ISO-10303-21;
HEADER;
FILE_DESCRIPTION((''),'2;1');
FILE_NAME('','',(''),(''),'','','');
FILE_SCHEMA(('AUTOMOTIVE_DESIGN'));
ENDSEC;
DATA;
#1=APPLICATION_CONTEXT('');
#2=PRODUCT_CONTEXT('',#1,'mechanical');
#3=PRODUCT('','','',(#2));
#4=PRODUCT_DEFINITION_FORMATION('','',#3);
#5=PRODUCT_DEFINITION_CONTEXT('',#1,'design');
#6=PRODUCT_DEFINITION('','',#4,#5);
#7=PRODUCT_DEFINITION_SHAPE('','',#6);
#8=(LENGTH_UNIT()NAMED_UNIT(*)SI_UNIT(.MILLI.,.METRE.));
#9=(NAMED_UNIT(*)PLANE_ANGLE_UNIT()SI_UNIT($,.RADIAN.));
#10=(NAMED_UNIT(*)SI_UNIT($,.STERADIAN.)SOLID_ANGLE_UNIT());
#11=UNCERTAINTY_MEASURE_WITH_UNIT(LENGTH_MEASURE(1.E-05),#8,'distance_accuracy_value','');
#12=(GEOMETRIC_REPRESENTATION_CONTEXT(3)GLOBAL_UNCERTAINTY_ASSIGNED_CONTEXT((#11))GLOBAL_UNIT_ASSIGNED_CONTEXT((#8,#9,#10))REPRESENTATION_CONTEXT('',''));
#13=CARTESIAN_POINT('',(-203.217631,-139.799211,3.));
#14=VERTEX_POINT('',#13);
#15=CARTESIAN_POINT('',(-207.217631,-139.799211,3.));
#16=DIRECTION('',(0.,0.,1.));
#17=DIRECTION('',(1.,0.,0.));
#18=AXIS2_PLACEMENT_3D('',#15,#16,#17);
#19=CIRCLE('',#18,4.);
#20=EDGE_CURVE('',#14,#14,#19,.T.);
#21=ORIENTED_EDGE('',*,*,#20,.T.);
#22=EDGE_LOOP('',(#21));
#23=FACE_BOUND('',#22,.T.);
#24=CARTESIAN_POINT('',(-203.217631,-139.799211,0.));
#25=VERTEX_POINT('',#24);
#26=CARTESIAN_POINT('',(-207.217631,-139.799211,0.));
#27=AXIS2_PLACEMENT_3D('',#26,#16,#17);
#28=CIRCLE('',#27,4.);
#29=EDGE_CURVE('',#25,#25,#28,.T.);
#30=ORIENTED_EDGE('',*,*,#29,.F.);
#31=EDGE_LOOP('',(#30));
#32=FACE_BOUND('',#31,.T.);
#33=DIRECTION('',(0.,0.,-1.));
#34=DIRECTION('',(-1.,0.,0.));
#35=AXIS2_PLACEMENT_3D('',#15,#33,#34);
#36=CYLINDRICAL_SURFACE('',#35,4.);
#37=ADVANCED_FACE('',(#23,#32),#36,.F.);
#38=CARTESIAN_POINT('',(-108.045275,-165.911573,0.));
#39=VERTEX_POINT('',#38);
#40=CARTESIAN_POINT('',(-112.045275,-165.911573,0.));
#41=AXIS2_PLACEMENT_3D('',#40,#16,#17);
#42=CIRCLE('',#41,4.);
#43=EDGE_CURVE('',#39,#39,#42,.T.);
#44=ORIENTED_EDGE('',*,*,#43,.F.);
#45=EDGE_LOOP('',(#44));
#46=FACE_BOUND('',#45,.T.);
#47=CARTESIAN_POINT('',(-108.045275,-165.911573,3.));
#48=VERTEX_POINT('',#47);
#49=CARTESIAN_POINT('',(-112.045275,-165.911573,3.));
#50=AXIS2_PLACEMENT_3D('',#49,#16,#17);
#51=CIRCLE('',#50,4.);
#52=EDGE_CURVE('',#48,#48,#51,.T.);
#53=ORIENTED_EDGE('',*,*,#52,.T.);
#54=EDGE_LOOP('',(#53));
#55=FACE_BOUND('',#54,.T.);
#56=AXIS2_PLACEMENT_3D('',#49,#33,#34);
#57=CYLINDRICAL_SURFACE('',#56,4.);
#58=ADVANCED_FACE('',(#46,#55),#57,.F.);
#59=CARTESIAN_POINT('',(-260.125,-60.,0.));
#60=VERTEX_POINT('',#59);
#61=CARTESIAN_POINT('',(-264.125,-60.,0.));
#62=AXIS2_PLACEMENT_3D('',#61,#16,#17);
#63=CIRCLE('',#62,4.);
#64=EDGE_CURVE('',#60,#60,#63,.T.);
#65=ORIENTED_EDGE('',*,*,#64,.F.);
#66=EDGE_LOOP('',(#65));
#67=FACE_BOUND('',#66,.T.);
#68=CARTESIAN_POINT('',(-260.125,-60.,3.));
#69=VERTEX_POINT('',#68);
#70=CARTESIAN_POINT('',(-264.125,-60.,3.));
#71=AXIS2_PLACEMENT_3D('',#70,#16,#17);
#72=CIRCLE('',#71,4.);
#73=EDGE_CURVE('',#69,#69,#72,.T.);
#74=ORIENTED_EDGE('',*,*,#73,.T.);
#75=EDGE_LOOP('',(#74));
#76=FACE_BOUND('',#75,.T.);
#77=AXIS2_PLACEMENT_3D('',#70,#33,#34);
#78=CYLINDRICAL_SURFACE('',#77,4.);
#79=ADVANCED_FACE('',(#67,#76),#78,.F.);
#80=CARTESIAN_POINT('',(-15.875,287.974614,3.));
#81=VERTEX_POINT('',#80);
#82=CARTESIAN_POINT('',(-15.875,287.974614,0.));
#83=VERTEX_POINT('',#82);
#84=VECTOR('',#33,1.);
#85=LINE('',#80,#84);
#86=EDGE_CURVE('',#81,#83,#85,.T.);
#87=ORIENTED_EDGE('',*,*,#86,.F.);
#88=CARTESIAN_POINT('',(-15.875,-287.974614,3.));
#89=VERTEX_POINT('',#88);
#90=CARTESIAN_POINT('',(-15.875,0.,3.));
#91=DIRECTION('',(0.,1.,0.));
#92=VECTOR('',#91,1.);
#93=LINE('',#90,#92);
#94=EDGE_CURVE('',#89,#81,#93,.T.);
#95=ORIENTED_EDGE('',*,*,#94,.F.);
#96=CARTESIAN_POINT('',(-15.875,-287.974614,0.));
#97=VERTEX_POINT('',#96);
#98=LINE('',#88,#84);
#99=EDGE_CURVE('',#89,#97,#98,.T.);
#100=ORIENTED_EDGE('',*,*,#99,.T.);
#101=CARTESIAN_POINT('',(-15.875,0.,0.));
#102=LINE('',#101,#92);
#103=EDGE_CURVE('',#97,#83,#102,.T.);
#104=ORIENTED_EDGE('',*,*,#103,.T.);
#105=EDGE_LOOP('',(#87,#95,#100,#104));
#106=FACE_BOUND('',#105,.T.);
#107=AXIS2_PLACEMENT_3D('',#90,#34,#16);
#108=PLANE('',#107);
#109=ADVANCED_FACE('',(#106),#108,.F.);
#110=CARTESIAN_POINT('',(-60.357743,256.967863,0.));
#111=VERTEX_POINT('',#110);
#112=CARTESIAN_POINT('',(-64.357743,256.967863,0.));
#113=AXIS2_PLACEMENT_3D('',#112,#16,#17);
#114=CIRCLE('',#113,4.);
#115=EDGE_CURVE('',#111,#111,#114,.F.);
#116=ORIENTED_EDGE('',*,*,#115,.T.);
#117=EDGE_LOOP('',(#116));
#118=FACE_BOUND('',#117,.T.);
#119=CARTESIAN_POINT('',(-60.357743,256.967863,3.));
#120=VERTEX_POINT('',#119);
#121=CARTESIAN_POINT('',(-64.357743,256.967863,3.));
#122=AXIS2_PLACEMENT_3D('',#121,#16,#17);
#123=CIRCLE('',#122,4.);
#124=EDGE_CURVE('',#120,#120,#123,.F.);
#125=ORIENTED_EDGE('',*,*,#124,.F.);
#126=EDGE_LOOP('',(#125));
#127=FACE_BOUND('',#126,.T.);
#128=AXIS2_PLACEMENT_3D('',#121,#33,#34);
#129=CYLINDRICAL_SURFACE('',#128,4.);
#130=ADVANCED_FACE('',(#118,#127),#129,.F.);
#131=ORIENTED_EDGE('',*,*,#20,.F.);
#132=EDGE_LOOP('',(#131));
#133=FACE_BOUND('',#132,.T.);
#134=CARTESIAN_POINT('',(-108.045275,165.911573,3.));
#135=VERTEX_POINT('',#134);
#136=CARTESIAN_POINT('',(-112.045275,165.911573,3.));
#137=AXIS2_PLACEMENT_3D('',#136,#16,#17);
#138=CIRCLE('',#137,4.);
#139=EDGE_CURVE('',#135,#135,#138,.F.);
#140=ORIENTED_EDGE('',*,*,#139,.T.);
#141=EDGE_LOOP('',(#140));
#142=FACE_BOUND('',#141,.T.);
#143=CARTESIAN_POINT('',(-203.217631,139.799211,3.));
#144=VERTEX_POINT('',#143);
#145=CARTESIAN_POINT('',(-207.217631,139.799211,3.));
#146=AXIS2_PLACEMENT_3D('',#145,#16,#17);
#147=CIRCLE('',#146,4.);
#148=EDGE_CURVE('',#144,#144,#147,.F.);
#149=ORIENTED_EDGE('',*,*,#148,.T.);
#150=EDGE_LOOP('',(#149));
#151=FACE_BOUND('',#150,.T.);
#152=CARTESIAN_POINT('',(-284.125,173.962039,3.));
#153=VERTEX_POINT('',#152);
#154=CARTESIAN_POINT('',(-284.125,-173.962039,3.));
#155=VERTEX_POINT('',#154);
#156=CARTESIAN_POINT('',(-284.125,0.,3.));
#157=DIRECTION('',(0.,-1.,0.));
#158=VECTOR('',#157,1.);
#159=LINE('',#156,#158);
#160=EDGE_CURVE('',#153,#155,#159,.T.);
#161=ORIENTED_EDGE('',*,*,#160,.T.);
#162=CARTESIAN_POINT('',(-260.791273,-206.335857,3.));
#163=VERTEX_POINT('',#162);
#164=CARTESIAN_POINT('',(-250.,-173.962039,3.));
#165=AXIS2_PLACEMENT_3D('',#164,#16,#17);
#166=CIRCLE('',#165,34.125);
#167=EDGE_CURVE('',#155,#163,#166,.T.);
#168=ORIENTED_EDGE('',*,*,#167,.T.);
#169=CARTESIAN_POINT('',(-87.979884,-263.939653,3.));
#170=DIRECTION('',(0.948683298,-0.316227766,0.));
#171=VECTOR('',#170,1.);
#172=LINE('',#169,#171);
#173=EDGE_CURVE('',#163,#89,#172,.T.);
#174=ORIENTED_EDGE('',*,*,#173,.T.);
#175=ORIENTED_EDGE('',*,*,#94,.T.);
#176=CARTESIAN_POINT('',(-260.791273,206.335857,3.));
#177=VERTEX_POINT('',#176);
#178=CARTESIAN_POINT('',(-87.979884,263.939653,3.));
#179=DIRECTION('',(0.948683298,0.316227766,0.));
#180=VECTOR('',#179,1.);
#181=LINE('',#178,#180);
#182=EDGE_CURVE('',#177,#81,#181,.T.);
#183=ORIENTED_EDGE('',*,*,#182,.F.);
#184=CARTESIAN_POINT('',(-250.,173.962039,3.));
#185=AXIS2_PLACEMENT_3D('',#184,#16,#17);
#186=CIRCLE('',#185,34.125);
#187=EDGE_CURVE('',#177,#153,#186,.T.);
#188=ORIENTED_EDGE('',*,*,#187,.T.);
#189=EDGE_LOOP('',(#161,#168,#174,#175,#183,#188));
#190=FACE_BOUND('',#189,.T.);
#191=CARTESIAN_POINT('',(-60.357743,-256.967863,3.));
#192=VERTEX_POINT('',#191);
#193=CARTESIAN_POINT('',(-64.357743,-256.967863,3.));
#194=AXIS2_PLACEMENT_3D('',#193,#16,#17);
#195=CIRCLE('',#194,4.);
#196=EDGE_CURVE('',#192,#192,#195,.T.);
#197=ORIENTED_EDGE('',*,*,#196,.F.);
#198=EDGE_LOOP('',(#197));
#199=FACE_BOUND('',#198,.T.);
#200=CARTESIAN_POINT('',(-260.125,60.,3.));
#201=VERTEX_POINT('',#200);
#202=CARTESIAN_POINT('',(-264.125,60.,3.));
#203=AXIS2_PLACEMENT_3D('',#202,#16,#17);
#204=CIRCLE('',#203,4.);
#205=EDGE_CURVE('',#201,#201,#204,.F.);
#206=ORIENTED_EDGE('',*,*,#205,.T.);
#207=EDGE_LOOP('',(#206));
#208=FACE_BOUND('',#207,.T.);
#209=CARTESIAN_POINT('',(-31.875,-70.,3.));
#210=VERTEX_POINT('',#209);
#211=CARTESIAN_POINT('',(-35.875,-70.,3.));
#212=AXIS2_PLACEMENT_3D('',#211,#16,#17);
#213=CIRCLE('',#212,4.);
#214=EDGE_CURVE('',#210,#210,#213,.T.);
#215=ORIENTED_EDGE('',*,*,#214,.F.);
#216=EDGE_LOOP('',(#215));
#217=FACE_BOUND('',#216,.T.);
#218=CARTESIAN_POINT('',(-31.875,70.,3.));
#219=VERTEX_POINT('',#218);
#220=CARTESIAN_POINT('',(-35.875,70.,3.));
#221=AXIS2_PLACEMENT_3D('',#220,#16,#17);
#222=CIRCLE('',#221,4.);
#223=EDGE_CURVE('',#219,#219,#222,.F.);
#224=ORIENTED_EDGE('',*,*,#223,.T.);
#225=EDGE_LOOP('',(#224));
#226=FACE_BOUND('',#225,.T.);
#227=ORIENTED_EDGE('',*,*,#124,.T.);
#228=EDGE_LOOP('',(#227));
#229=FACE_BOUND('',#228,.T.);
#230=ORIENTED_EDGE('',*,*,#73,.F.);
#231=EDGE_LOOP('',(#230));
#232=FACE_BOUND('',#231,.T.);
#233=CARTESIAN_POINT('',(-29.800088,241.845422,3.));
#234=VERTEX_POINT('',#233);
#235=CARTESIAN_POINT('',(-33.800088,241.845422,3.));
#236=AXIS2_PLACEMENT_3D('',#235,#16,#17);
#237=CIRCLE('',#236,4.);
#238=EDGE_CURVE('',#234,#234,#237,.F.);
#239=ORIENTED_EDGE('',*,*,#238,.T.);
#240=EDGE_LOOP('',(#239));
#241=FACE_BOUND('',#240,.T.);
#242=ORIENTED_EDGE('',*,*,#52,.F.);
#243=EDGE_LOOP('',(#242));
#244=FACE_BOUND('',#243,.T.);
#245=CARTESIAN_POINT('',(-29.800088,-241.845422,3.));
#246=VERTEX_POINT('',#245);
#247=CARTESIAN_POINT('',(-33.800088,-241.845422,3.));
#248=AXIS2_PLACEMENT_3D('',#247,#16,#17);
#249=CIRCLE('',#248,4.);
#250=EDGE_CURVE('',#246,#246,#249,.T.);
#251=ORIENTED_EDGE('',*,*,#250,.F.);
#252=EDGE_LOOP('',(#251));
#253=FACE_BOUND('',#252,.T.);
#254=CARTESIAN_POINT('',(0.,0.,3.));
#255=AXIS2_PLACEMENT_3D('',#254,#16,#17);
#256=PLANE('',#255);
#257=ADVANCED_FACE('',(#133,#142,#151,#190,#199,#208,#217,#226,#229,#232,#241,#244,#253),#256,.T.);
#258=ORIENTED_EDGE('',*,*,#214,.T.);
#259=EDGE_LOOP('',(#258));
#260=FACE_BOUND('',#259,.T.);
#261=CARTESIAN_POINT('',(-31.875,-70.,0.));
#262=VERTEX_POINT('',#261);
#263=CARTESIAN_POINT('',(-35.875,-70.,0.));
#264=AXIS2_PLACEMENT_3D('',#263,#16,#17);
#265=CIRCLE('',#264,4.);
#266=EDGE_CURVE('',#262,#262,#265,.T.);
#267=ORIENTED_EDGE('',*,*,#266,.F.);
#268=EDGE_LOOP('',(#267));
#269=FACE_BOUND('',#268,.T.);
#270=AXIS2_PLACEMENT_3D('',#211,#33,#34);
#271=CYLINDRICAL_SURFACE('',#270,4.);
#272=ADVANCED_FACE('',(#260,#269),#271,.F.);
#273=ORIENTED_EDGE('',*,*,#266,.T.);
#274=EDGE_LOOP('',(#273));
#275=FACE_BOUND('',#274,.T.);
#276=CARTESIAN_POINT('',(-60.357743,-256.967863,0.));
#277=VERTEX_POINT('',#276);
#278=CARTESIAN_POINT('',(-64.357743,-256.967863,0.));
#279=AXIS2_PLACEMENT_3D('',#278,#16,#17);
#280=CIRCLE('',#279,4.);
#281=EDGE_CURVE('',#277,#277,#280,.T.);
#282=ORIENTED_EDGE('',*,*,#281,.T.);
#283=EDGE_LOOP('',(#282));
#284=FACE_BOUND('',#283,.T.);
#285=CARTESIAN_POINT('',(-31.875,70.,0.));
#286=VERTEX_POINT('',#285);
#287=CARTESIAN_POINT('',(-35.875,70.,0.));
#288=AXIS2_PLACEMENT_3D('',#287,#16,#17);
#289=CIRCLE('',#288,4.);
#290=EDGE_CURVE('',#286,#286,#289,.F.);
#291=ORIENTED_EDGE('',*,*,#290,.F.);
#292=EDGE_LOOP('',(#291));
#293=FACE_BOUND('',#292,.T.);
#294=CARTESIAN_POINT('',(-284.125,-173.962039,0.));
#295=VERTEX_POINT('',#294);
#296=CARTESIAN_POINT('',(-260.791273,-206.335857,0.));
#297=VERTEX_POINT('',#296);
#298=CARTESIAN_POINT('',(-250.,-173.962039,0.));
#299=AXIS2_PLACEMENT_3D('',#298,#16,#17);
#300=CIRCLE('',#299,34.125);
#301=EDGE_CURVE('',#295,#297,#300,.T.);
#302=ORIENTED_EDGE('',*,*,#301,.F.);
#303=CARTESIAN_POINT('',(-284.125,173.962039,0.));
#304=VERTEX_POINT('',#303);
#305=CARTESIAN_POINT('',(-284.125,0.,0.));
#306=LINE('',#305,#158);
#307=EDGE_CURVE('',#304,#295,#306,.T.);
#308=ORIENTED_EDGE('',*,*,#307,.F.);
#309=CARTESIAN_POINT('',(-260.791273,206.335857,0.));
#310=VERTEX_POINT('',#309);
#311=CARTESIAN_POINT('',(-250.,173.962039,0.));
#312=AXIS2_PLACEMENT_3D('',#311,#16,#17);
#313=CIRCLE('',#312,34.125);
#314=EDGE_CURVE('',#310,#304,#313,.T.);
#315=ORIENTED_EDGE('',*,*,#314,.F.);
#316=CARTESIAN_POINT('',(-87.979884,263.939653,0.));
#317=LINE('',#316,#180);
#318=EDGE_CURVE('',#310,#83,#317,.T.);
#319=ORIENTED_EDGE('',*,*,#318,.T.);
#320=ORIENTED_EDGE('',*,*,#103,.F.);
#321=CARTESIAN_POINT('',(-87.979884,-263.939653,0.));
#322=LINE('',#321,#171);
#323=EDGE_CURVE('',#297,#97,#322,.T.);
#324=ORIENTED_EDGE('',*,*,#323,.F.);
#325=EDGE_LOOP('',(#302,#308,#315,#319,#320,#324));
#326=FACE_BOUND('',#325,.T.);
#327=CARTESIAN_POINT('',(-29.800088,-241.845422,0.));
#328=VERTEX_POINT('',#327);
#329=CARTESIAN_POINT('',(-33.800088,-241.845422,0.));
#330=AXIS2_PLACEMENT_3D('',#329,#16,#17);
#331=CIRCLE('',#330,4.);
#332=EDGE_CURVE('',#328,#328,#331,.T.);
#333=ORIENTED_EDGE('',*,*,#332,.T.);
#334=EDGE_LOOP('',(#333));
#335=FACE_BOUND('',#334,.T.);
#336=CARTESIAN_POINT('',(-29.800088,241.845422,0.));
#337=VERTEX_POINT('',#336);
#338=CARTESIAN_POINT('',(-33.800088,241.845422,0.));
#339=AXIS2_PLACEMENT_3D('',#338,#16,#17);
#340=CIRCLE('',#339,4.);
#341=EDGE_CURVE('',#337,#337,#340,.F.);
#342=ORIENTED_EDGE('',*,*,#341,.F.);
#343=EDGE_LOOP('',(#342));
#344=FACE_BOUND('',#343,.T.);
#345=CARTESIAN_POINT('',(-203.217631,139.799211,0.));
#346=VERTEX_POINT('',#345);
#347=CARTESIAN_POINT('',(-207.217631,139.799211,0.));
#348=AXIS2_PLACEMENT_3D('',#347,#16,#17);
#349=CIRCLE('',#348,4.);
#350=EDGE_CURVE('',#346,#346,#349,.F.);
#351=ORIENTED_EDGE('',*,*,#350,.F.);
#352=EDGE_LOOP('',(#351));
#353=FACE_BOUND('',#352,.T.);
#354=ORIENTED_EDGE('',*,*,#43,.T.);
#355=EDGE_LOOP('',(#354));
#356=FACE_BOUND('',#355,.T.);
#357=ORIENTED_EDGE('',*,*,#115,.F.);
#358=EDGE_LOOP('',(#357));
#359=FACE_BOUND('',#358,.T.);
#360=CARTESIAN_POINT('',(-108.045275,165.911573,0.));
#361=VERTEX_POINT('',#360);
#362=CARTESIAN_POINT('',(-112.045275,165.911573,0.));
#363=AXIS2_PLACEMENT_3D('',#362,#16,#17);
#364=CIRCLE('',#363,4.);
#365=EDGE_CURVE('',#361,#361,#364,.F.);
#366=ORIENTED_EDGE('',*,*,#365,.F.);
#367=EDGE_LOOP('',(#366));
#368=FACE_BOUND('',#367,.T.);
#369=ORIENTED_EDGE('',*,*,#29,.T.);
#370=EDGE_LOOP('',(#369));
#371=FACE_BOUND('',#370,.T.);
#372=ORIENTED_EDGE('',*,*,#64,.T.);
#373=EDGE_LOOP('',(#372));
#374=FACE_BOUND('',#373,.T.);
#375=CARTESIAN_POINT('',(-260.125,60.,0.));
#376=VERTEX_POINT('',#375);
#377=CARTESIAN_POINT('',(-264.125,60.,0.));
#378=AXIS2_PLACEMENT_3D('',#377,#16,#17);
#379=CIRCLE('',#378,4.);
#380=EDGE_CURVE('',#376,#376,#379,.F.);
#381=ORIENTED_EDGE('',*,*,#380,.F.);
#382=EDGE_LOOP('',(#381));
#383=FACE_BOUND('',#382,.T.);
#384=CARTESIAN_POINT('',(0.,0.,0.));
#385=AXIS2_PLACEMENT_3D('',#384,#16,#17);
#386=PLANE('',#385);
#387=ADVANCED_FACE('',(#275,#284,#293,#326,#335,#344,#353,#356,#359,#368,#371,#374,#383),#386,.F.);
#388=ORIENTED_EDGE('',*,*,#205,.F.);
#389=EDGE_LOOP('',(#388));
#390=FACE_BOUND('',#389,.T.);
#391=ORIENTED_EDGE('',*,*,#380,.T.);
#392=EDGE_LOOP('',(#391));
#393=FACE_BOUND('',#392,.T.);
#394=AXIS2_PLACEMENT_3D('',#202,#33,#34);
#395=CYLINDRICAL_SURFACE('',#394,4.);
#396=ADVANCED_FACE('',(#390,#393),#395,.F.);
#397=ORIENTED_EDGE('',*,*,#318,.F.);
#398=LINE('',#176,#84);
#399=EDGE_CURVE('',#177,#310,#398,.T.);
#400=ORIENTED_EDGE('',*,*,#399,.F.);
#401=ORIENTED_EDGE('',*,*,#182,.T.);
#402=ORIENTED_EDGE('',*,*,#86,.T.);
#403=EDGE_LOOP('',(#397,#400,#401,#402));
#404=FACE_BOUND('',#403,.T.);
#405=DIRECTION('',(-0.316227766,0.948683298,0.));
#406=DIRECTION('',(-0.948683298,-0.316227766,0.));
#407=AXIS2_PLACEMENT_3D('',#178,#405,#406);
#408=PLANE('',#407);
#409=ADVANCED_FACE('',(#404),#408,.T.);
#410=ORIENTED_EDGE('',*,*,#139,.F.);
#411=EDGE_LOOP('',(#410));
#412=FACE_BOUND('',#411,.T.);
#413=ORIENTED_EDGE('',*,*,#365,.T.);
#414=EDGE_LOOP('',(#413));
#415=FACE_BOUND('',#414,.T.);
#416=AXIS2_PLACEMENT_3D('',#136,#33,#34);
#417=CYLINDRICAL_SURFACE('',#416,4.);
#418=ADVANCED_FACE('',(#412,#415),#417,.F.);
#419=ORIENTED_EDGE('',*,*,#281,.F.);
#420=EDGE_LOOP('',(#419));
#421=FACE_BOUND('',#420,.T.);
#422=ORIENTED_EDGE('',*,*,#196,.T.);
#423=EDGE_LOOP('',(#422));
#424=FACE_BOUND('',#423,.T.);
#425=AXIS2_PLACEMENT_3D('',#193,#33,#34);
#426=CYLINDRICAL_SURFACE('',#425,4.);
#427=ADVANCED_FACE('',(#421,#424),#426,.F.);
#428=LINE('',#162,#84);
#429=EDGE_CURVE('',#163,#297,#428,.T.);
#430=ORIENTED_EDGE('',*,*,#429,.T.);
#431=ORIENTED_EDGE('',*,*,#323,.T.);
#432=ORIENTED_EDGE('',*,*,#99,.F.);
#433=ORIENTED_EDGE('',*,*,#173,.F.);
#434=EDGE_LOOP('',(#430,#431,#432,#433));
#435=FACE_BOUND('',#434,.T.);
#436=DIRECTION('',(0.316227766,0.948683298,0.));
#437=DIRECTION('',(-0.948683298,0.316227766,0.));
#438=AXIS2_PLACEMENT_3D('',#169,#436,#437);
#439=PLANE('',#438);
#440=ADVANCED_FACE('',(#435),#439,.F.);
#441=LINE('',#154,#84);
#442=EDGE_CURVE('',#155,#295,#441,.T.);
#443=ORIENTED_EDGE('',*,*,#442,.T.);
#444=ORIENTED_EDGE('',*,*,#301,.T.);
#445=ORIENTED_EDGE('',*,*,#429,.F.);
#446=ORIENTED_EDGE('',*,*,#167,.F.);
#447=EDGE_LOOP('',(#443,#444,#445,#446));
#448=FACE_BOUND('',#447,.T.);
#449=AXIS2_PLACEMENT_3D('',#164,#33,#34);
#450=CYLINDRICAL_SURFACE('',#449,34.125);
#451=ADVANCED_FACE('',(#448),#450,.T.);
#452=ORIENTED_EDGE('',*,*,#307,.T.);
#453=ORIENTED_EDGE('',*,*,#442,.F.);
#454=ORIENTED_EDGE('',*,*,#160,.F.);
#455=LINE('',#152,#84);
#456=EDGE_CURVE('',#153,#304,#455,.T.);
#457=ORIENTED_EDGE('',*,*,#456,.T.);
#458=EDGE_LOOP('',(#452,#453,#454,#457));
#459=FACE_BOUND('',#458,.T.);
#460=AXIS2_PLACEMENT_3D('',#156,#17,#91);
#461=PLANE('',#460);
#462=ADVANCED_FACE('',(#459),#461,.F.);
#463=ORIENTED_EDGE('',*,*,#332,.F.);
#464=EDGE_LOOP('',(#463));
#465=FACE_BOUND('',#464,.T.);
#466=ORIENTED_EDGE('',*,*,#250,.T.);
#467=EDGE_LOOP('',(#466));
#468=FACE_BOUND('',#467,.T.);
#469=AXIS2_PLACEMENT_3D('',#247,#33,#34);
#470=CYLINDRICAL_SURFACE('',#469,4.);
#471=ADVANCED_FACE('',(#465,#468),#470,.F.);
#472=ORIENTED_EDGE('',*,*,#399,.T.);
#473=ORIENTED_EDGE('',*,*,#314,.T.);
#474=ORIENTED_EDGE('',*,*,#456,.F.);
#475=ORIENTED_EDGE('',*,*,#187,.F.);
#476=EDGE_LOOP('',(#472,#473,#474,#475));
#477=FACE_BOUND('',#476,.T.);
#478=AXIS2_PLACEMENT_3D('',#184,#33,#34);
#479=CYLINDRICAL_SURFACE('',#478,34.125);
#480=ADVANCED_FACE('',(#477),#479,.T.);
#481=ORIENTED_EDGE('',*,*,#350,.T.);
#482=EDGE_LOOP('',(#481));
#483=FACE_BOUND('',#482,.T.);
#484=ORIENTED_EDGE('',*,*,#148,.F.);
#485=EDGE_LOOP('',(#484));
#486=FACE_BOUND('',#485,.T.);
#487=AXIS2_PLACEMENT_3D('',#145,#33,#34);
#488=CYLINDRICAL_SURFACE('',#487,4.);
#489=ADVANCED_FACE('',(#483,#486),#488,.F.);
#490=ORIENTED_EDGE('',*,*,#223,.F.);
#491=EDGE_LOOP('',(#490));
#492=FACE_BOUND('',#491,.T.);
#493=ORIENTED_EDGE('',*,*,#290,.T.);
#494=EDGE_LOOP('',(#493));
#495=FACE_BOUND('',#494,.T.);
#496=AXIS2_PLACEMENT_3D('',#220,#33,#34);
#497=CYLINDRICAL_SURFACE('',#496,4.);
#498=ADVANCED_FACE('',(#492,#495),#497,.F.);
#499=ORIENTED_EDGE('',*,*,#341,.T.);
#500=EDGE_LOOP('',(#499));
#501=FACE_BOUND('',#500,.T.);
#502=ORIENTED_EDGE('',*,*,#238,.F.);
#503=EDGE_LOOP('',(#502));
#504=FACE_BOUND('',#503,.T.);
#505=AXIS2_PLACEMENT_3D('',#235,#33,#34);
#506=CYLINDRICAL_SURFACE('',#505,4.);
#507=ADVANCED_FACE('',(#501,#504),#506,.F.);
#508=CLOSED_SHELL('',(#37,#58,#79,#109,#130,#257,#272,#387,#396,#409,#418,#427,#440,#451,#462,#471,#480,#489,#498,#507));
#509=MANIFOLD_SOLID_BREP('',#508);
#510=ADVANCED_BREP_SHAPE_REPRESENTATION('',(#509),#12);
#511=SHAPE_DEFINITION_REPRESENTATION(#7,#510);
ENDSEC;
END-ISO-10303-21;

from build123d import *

# Parameters (mm, degrees)
SKETCH1_R           = 4
BOSS_EXTRUDE2_DEPTH = 3


with BuildPart() as part:
    # Sketch1 → Boss-Extrude2 (new body)
    with BuildSketch(Plane(origin=(0, 0, 0), x_dir=(0, 1, 0), z_dir=(0, 0, 1))):
        with BuildLine():
            Line((287.974614048, 15.875), (206.335856543, 260.791272515))
            ThreePointArc((206.335856543, 260.791272515), (193.915277461, 277.683639569), (173.962038997, 284.125))
            Line((173.962038997, 284.125), (0, 284.125))
            Line((0, 284.125), (-60, 284.125))
            Line((-60, 284.125), (-173.962038997, 284.125))
            ThreePointArc((-173.962038997, 284.125), (-193.915277461, 277.683639569), (-206.335856543, 260.791272515))
            Line((-206.335856543, 260.791272515), (-287.974614048, 15.875))
            Line((-287.974614048, 15.875), (-232.974614048, 15.875))
            Line((-232.974614048, 15.875), (287.974614048, 15.875))
        make_face()
        with Locations(Location((-241.845421711, 33.800087766, 0), (0, 0, 270))):
            Circle(SKETCH1_R, mode=Mode.SUBTRACT)
        with Locations(Location((-256.967862764, 64.357743098, 0), (0, 0, 270))):
            Circle(SKETCH1_R, mode=Mode.SUBTRACT)
        with Locations(Location((-70, 35.875, 0), (0, 0, 270))):
            Circle(SKETCH1_R, mode=Mode.SUBTRACT)
        with Locations(Location((-165.911573344, 112.045275134, 0), (0, 0, 270))):
            Circle(SKETCH1_R, mode=Mode.SUBTRACT)
        with Locations(Location((70, 35.875, 0), (0, 0, 270))):
            Circle(SKETCH1_R, mode=Mode.SUBTRACT)
        with Locations(Location((241.845421711, 33.800087766, 0), (0, 0, 270))):
            Circle(SKETCH1_R, mode=Mode.SUBTRACT)
        with Locations(Location((256.967862764, 64.357743098, 0), (0, 0, 270))):
            Circle(SKETCH1_R, mode=Mode.SUBTRACT)
        with Locations(Location((165.911573344, 112.045275134, 0), (0, 0, 270))):
            Circle(SKETCH1_R, mode=Mode.SUBTRACT)
        with Locations(Location((-139.799210518, 207.2176312, 0), (0, 0, 270))):
            Circle(SKETCH1_R, mode=Mode.SUBTRACT)
        with Locations(Location((-60, 264.125, 0), (0, 0, 270))):
            Circle(SKETCH1_R, mode=Mode.SUBTRACT)
        with Locations(Location((139.799210518, 207.2176312, 0), (0, 0, 270))):
            Circle(SKETCH1_R, mode=Mode.SUBTRACT)
        with Locations(Location((60, 264.125, 0), (0, 0, 270))):
            Circle(SKETCH1_R, mode=Mode.SUBTRACT)
    extrude(amount=BOSS_EXTRUDE2_DEPTH)


solid = part.part
